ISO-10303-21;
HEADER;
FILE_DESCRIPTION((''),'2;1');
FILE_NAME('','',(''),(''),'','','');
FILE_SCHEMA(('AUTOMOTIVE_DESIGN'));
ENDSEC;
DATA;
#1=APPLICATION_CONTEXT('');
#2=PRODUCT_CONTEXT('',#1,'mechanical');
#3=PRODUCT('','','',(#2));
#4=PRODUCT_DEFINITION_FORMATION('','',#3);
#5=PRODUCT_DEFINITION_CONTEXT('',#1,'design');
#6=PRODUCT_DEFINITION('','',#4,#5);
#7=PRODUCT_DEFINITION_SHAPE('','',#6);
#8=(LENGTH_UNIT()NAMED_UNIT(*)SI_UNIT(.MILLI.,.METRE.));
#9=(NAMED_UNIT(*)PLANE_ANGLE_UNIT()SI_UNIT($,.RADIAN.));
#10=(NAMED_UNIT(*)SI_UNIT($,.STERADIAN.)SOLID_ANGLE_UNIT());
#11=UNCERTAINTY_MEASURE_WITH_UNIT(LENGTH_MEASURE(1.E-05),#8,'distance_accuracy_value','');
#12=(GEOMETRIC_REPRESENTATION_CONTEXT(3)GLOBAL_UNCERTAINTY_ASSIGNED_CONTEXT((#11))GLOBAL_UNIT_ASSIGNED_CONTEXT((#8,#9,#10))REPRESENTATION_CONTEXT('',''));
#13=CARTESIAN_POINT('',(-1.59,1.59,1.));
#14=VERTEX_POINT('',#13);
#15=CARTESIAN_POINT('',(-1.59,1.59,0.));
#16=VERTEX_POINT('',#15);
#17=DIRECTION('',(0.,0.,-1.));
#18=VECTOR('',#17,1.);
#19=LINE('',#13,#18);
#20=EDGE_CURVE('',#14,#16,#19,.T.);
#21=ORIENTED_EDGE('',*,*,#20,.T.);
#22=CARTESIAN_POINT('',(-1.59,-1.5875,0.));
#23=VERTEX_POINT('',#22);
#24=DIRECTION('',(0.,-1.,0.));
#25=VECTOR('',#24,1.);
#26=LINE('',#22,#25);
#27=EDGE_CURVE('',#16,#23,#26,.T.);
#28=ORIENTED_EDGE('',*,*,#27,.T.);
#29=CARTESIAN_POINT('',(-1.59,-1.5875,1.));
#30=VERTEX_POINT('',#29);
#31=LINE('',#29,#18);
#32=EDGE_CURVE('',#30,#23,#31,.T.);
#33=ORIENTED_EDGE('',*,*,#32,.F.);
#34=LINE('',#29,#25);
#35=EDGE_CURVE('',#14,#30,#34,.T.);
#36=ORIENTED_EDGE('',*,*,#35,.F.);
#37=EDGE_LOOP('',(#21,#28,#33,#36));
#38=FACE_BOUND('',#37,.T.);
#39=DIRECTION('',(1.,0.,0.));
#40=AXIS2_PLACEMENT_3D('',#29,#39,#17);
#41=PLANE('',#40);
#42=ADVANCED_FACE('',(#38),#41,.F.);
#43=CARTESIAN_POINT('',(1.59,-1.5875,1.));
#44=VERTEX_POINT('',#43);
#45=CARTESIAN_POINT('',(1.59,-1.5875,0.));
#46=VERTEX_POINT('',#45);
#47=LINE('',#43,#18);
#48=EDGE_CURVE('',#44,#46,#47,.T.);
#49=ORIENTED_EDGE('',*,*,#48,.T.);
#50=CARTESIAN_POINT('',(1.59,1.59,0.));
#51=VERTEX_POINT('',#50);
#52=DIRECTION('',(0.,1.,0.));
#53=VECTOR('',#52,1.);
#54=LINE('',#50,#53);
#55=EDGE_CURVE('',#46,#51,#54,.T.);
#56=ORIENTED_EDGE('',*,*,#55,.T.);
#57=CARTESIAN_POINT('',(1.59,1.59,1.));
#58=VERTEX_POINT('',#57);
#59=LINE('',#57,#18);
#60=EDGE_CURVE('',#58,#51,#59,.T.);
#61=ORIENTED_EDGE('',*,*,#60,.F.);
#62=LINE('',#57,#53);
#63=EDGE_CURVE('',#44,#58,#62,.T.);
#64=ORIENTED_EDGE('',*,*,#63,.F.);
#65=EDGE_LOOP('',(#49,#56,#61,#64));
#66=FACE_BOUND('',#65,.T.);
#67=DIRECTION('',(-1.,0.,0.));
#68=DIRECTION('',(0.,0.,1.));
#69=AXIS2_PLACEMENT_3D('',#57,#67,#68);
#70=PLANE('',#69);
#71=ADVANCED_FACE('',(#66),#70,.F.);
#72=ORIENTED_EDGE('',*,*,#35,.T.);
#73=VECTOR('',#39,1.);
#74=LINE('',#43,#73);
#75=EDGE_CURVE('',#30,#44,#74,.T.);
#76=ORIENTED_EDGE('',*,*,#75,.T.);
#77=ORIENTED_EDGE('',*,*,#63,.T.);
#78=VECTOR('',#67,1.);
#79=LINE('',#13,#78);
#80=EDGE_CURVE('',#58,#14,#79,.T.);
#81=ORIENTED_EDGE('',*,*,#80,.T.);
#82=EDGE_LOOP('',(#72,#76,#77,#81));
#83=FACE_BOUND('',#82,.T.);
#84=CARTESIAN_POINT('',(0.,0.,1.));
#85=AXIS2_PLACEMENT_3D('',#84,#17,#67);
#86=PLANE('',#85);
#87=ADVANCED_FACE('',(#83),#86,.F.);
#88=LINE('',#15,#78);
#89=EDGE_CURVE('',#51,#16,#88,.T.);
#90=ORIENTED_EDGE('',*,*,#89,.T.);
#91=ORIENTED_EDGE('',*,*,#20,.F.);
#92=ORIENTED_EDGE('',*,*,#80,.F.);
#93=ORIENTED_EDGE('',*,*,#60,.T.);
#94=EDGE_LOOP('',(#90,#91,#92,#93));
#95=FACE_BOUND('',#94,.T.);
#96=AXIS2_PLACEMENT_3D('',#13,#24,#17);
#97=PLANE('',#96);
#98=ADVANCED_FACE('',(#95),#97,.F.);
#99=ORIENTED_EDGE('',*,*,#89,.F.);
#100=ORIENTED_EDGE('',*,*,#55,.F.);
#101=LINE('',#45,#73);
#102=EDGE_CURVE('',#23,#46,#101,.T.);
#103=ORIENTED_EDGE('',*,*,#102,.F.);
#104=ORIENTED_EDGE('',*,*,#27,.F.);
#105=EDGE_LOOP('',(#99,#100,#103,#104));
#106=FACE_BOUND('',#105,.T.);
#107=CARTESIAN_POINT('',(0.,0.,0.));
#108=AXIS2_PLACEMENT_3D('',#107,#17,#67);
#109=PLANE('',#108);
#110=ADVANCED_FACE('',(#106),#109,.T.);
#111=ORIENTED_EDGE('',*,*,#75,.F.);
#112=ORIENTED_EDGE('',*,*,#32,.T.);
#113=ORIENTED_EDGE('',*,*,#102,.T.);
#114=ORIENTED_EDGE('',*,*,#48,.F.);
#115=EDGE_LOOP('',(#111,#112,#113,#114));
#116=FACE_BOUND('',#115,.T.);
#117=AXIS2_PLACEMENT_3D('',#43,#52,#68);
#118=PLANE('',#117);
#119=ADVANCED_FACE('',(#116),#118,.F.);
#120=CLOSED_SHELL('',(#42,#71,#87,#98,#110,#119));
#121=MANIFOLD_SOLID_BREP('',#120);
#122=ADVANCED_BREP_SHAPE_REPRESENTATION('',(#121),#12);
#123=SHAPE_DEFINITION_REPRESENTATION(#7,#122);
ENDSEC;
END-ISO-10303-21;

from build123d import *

# Parameters (mm, degrees)
SKETCH1_W               = 3.18
SKETCH1_H               = 3.1775
COMPONENT_OUTLINE_DEPTH = 1


with BuildPart() as part:
    # Sketch1 → Component_Outline (new body)
    with BuildSketch(Plane.XY):
        with Locations((0, 0.00125)):
            Rectangle(SKETCH1_W, SKETCH1_H)
    extrude(amount=COMPONENT_OUTLINE_DEPTH)


solid = part.part
